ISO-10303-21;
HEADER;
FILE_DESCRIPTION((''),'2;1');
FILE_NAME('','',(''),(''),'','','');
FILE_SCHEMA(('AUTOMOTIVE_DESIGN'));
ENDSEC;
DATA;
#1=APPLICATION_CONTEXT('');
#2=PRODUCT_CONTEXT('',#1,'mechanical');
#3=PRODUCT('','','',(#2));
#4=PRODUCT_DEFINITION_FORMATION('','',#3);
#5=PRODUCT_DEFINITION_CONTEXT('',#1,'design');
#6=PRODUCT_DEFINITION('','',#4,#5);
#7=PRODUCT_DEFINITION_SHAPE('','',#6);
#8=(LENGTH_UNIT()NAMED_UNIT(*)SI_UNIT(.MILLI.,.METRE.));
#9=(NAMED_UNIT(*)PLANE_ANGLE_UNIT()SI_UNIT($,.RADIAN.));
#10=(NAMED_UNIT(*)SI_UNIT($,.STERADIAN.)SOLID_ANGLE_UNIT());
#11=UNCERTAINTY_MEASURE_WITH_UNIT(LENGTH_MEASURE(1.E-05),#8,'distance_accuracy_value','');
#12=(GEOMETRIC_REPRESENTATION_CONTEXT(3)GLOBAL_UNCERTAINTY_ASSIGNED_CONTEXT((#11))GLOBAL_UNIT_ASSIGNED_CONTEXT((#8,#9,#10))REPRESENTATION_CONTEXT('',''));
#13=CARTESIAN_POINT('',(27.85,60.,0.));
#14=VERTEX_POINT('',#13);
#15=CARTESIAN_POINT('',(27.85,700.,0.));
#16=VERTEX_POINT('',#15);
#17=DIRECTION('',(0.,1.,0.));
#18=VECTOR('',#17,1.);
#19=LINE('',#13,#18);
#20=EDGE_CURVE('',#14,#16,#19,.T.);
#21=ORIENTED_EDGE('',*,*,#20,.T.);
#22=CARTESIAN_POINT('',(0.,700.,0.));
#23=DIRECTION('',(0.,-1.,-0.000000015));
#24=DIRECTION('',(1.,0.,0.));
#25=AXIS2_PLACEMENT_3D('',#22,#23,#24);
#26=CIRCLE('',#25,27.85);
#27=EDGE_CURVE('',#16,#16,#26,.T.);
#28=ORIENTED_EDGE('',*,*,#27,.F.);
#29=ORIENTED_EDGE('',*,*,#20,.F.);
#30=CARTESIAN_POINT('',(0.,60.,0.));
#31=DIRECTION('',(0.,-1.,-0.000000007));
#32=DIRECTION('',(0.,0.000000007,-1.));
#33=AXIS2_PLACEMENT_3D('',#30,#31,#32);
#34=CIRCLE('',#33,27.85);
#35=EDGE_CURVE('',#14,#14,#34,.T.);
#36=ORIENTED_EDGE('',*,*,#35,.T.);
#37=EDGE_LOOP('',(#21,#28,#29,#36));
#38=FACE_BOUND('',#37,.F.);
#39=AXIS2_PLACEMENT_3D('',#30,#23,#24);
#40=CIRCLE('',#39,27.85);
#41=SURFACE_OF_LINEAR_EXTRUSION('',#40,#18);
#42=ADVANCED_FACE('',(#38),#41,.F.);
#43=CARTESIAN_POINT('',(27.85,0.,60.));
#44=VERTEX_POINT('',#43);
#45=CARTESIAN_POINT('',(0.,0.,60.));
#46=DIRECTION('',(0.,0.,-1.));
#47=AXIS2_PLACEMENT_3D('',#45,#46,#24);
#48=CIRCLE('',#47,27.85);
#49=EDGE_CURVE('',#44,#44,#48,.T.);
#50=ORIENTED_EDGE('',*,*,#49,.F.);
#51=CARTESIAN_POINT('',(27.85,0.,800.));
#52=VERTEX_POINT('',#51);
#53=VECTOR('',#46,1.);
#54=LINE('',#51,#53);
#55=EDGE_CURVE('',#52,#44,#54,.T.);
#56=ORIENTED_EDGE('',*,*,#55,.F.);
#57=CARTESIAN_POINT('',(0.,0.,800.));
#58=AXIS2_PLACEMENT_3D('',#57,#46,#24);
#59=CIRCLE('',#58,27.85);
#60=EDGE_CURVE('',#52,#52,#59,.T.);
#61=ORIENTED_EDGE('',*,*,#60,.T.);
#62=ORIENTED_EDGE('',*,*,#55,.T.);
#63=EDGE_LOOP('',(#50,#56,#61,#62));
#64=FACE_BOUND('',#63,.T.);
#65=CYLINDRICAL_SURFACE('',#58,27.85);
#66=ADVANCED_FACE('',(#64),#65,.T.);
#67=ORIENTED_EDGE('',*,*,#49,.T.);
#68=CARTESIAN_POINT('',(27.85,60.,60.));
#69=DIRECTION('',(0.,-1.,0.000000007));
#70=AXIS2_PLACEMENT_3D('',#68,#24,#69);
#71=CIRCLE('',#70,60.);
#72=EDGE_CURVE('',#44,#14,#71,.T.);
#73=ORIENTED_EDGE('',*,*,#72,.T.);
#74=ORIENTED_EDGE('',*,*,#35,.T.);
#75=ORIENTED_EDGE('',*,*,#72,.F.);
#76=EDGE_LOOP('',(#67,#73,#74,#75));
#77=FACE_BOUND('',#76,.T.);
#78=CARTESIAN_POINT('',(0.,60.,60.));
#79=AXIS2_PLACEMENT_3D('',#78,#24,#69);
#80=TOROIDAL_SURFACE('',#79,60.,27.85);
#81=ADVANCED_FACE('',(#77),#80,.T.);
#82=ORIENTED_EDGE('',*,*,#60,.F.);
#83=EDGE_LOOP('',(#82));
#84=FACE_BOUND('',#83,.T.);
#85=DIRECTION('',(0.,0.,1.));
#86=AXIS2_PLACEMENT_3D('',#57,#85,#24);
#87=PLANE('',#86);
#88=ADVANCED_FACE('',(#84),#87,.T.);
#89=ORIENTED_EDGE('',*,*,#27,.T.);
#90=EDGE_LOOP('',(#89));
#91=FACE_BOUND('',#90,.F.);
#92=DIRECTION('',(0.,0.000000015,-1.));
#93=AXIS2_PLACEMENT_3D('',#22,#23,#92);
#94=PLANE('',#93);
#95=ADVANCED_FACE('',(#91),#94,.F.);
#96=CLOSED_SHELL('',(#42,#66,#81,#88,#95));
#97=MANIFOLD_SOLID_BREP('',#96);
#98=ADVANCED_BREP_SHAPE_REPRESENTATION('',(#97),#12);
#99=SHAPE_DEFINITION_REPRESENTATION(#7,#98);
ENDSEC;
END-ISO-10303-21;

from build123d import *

# Parameters (mm, degrees)
F2_R = 27.85


with BuildPart() as f3:
    # F3: sweep along a path in F0
    with BuildLine(Plane.YZ) as f3_path:
        Line((0, 800), (0, 60))
        ThreePointArc((0, 60), (17.573593, 17.573593), (60, 0))
        Line((60, 0), (700, 0))
    # F2 (on plane+point) → F3 (sweep)
    with BuildSketch(Plane.XY.offset(800)):
        Circle(F2_R)
    sweep(path=f3_path.line)


solid = f3.part
